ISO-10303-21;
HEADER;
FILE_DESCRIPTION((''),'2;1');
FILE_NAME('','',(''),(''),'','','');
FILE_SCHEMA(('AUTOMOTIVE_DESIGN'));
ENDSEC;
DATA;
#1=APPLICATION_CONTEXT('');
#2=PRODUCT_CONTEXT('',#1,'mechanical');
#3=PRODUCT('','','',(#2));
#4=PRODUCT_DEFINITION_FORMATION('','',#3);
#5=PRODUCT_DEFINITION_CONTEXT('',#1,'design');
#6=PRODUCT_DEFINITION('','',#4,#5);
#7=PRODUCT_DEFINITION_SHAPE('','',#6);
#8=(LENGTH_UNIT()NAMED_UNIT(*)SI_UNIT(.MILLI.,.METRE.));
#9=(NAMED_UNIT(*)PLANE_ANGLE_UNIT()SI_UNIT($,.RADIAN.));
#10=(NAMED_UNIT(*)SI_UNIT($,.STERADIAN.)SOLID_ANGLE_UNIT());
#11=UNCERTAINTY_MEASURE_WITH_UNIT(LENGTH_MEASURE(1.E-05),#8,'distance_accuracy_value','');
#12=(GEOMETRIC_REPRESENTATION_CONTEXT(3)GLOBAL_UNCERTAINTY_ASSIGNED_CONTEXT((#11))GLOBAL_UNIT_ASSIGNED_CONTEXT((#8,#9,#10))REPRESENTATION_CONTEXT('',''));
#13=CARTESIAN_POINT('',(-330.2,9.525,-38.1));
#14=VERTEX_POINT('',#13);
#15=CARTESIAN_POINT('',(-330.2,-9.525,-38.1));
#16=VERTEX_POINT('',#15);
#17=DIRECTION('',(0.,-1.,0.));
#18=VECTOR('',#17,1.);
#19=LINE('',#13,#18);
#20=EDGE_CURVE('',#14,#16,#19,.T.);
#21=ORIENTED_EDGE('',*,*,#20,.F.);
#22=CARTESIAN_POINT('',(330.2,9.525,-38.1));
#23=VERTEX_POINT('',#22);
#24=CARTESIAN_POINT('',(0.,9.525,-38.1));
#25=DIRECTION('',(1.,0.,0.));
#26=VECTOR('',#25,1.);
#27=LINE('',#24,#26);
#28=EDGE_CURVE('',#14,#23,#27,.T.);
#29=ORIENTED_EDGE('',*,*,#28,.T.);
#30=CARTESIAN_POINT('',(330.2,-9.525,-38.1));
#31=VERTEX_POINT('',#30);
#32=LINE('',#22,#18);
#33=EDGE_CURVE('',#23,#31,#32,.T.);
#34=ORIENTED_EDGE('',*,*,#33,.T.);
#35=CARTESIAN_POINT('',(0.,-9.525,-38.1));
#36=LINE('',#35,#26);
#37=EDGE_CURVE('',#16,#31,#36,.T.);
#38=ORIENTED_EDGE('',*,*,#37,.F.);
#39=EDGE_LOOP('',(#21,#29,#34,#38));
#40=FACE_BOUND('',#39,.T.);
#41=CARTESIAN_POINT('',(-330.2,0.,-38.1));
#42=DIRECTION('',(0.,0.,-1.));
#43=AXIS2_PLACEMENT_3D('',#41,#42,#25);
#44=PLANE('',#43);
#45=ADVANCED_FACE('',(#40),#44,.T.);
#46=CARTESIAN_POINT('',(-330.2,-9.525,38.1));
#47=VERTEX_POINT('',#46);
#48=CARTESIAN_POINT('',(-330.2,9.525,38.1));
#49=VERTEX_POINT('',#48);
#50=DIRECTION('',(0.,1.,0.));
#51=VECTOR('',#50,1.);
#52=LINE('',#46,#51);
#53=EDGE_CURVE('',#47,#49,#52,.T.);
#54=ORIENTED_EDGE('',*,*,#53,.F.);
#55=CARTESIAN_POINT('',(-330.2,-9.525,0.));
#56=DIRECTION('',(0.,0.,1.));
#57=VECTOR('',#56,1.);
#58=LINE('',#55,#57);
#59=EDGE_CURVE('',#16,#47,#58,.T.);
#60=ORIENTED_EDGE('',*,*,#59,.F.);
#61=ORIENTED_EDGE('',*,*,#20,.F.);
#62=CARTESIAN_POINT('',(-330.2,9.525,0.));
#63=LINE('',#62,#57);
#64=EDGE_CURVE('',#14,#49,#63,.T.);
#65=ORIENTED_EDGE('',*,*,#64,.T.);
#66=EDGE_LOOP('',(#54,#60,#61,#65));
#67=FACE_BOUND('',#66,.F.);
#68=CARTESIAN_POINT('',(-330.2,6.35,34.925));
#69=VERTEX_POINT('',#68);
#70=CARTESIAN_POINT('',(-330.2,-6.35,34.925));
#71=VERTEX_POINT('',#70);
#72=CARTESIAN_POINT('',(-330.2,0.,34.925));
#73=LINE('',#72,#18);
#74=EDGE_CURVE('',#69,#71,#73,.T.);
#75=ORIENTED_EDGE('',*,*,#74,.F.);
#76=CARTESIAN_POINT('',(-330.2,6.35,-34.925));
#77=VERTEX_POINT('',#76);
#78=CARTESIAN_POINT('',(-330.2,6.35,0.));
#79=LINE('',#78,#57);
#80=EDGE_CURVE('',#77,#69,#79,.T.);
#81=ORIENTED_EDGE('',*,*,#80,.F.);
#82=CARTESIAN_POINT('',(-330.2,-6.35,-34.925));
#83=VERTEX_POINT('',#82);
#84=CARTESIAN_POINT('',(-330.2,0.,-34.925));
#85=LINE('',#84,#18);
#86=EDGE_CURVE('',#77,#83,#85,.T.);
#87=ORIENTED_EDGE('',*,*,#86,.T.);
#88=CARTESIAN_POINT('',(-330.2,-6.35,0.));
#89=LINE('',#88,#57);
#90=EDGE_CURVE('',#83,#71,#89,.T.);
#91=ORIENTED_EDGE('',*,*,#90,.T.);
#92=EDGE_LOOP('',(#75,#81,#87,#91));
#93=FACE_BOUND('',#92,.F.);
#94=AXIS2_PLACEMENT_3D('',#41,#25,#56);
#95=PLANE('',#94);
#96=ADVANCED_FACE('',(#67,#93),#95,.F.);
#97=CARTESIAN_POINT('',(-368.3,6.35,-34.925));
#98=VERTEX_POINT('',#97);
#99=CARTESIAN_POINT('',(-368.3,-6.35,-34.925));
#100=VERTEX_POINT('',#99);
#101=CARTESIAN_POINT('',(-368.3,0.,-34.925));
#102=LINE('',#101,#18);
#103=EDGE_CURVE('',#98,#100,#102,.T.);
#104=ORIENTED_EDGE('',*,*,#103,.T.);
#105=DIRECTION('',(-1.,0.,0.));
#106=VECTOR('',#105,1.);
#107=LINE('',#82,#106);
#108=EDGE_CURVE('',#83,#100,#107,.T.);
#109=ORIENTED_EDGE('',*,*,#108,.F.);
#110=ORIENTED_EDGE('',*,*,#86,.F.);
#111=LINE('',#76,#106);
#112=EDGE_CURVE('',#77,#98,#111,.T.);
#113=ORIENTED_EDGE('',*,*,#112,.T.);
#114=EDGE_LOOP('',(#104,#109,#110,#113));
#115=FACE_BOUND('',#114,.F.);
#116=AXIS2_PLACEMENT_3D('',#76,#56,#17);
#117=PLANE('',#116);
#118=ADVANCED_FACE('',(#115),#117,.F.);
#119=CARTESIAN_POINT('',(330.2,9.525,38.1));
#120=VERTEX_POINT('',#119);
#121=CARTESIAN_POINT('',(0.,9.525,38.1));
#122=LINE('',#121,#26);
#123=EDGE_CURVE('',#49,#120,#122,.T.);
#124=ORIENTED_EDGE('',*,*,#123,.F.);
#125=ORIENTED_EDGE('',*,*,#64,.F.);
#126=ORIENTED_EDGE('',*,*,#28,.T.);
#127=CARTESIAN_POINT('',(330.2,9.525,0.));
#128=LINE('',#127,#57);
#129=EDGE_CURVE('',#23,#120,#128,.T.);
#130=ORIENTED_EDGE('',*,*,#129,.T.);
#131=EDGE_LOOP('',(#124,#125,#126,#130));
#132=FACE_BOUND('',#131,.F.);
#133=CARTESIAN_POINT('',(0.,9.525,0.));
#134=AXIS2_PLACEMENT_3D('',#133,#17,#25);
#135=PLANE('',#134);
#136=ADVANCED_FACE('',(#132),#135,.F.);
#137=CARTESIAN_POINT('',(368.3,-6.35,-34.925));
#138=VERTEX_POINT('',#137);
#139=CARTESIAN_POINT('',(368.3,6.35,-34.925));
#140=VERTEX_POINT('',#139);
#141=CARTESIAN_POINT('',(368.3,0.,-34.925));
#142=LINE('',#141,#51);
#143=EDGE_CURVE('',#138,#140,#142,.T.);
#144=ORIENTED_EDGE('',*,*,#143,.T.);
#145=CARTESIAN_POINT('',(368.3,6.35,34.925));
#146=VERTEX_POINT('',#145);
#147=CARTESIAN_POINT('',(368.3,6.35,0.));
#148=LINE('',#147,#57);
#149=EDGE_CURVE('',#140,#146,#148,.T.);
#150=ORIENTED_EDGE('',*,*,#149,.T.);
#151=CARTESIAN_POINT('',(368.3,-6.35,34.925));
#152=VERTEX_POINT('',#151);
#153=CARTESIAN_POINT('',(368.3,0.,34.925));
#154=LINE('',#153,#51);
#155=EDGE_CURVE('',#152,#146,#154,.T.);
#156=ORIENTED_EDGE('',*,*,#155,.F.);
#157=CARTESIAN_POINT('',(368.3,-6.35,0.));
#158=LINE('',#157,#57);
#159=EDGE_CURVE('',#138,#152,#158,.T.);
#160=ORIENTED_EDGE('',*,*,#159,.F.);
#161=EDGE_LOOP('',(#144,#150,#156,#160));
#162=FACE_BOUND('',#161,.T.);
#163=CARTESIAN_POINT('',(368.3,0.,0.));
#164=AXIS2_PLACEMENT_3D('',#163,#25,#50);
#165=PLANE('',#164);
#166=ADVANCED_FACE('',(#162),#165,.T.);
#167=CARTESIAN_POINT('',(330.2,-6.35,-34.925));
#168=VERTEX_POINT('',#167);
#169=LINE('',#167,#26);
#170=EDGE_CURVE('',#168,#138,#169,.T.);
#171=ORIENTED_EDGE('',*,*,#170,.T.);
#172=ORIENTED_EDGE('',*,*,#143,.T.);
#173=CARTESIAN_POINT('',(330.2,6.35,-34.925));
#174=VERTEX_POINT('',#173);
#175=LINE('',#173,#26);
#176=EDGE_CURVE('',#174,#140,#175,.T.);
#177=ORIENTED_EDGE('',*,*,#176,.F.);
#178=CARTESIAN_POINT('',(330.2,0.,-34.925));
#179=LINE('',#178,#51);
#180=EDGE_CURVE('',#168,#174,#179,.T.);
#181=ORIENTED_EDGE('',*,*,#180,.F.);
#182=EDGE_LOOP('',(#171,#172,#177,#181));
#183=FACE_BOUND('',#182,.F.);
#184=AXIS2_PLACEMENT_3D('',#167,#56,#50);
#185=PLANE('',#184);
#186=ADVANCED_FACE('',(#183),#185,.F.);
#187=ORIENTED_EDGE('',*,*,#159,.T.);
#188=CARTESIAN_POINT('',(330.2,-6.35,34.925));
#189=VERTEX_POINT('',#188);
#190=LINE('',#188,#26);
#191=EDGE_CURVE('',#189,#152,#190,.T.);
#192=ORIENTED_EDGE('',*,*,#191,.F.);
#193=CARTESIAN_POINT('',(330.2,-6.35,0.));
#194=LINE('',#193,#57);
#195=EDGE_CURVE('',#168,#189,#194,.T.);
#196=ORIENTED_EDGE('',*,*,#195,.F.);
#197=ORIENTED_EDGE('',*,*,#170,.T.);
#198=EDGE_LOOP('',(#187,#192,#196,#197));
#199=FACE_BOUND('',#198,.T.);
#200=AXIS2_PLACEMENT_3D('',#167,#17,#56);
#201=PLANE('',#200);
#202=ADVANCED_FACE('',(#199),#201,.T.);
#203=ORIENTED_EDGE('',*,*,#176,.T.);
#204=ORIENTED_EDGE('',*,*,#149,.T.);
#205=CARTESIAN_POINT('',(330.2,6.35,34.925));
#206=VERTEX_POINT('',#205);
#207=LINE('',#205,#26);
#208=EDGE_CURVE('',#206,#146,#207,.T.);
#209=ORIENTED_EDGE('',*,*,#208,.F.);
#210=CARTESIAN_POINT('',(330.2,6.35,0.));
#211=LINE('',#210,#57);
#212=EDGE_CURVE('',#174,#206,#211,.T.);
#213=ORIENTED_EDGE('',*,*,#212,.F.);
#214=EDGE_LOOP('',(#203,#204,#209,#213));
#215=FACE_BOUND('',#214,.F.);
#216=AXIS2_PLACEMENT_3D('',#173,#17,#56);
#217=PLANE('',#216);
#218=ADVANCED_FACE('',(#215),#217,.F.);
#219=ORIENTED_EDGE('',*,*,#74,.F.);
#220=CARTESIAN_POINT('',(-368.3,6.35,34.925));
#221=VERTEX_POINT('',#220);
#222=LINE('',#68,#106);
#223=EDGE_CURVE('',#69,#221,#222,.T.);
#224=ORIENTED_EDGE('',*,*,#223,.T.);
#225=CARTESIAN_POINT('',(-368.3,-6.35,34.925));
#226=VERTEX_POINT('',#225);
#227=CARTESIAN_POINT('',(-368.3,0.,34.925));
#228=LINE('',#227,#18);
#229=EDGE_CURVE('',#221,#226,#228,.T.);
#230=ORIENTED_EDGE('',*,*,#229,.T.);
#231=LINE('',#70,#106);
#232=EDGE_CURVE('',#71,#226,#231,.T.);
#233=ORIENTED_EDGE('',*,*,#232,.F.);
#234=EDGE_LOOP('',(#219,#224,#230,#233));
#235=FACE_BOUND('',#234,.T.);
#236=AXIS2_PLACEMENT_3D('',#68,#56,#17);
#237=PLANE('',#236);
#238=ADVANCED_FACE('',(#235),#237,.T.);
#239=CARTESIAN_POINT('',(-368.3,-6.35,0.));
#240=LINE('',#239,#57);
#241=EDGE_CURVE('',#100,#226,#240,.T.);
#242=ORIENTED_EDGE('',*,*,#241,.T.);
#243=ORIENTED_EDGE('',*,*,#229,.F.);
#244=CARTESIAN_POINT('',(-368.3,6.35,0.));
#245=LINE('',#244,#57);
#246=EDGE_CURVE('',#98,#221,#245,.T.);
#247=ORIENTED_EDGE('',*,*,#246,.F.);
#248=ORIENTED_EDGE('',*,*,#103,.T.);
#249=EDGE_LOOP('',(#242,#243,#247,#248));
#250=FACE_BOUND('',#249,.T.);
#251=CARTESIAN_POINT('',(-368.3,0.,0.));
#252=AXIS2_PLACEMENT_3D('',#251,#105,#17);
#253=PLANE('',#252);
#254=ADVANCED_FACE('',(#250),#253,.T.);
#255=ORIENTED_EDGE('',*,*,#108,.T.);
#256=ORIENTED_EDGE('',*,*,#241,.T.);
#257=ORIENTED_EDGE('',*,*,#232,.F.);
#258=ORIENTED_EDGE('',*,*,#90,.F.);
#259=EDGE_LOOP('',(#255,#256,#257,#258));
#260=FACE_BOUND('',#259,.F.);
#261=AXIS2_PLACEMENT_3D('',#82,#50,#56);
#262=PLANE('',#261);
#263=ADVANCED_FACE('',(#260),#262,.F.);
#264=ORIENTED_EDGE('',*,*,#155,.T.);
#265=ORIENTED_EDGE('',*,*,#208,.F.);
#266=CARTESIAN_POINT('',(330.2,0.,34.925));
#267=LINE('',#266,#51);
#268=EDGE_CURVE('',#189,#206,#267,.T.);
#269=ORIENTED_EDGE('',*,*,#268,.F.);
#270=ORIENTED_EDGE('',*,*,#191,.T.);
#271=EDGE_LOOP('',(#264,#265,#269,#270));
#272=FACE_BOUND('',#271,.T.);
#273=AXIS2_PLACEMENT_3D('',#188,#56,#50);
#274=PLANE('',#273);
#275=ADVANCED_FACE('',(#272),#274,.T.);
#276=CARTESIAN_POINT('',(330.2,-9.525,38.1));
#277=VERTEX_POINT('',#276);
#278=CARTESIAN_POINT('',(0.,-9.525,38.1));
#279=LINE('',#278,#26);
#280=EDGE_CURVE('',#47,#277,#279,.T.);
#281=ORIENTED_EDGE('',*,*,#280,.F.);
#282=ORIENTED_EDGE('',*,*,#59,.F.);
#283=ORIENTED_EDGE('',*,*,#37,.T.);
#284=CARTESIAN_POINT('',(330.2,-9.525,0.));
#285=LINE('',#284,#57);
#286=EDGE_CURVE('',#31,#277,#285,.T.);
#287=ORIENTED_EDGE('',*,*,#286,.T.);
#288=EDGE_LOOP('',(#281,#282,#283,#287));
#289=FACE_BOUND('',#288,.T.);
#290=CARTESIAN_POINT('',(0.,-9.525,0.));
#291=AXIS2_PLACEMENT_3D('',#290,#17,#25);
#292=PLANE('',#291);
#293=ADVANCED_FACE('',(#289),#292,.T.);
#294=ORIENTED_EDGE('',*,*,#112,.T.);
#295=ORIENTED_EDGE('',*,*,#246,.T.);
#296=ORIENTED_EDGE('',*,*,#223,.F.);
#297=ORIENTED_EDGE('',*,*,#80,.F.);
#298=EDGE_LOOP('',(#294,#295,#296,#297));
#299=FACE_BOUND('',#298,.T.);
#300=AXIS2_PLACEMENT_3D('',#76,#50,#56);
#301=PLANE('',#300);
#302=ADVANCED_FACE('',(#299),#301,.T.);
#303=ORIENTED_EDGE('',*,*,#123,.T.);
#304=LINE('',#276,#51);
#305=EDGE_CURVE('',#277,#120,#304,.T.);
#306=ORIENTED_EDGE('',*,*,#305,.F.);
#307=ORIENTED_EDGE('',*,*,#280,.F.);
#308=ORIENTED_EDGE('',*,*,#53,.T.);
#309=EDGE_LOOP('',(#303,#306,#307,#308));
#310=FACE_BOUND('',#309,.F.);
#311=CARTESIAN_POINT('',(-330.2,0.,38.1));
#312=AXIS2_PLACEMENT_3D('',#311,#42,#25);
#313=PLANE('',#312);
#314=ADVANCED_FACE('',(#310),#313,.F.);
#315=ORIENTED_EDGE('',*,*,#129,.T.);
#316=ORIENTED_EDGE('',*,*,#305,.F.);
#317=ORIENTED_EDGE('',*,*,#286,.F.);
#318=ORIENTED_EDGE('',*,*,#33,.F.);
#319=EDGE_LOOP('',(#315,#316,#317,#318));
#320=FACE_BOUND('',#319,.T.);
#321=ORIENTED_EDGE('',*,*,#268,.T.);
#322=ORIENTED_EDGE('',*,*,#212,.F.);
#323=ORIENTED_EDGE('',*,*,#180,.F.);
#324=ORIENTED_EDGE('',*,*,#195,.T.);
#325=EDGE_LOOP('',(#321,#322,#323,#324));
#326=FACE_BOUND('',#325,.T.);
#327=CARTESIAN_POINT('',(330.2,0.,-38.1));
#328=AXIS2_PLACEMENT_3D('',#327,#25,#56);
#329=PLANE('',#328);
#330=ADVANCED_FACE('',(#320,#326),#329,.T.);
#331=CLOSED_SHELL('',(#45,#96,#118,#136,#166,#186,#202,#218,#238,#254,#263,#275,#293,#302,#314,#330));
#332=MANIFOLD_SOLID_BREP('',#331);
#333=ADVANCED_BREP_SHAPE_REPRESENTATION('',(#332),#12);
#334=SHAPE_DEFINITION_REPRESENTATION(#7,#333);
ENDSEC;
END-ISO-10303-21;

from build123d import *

# Parameters (mm, degrees)
F0_W     = 660.4
F0_H     = 76.2
F1_DEPTH = 9.525
F2_W     = 12.7
F2_H     = 69.85
F3_W     = 12.7
F3_H     = 69.85
F4_DEPTH = 38.1
F5_DEPTH = 38.1


with BuildPart() as f1:
    # F0 (on Front) → F1 (new body, symmetric)
    with BuildSketch(Plane.XZ):
        Rectangle(F0_W, F0_H)
    extrude(amount=F1_DEPTH, both=True)

    # F2 (on face) + F3 (on face) → F4 (join)
    with BuildSketch(Plane.YZ.offset(330.2)):
        Rectangle(F2_W, F2_H)
    with BuildSketch(Plane(origin=(-330.2, 0, 0), x_dir=(0, -1, 0), z_dir=(-1, 0, 0))):
        Rectangle(F3_W, F3_H)
    extrude(amount=F4_DEPTH)

    # F3 (on face) → F5 (join)
    with BuildSketch(Plane(origin=(-330.2, 0, 0), x_dir=(0, -1, 0), z_dir=(-1, 0, 0))):
        Rectangle(F3_W, F3_H)
    extrude(amount=F5_DEPTH)


solid = f1.part
